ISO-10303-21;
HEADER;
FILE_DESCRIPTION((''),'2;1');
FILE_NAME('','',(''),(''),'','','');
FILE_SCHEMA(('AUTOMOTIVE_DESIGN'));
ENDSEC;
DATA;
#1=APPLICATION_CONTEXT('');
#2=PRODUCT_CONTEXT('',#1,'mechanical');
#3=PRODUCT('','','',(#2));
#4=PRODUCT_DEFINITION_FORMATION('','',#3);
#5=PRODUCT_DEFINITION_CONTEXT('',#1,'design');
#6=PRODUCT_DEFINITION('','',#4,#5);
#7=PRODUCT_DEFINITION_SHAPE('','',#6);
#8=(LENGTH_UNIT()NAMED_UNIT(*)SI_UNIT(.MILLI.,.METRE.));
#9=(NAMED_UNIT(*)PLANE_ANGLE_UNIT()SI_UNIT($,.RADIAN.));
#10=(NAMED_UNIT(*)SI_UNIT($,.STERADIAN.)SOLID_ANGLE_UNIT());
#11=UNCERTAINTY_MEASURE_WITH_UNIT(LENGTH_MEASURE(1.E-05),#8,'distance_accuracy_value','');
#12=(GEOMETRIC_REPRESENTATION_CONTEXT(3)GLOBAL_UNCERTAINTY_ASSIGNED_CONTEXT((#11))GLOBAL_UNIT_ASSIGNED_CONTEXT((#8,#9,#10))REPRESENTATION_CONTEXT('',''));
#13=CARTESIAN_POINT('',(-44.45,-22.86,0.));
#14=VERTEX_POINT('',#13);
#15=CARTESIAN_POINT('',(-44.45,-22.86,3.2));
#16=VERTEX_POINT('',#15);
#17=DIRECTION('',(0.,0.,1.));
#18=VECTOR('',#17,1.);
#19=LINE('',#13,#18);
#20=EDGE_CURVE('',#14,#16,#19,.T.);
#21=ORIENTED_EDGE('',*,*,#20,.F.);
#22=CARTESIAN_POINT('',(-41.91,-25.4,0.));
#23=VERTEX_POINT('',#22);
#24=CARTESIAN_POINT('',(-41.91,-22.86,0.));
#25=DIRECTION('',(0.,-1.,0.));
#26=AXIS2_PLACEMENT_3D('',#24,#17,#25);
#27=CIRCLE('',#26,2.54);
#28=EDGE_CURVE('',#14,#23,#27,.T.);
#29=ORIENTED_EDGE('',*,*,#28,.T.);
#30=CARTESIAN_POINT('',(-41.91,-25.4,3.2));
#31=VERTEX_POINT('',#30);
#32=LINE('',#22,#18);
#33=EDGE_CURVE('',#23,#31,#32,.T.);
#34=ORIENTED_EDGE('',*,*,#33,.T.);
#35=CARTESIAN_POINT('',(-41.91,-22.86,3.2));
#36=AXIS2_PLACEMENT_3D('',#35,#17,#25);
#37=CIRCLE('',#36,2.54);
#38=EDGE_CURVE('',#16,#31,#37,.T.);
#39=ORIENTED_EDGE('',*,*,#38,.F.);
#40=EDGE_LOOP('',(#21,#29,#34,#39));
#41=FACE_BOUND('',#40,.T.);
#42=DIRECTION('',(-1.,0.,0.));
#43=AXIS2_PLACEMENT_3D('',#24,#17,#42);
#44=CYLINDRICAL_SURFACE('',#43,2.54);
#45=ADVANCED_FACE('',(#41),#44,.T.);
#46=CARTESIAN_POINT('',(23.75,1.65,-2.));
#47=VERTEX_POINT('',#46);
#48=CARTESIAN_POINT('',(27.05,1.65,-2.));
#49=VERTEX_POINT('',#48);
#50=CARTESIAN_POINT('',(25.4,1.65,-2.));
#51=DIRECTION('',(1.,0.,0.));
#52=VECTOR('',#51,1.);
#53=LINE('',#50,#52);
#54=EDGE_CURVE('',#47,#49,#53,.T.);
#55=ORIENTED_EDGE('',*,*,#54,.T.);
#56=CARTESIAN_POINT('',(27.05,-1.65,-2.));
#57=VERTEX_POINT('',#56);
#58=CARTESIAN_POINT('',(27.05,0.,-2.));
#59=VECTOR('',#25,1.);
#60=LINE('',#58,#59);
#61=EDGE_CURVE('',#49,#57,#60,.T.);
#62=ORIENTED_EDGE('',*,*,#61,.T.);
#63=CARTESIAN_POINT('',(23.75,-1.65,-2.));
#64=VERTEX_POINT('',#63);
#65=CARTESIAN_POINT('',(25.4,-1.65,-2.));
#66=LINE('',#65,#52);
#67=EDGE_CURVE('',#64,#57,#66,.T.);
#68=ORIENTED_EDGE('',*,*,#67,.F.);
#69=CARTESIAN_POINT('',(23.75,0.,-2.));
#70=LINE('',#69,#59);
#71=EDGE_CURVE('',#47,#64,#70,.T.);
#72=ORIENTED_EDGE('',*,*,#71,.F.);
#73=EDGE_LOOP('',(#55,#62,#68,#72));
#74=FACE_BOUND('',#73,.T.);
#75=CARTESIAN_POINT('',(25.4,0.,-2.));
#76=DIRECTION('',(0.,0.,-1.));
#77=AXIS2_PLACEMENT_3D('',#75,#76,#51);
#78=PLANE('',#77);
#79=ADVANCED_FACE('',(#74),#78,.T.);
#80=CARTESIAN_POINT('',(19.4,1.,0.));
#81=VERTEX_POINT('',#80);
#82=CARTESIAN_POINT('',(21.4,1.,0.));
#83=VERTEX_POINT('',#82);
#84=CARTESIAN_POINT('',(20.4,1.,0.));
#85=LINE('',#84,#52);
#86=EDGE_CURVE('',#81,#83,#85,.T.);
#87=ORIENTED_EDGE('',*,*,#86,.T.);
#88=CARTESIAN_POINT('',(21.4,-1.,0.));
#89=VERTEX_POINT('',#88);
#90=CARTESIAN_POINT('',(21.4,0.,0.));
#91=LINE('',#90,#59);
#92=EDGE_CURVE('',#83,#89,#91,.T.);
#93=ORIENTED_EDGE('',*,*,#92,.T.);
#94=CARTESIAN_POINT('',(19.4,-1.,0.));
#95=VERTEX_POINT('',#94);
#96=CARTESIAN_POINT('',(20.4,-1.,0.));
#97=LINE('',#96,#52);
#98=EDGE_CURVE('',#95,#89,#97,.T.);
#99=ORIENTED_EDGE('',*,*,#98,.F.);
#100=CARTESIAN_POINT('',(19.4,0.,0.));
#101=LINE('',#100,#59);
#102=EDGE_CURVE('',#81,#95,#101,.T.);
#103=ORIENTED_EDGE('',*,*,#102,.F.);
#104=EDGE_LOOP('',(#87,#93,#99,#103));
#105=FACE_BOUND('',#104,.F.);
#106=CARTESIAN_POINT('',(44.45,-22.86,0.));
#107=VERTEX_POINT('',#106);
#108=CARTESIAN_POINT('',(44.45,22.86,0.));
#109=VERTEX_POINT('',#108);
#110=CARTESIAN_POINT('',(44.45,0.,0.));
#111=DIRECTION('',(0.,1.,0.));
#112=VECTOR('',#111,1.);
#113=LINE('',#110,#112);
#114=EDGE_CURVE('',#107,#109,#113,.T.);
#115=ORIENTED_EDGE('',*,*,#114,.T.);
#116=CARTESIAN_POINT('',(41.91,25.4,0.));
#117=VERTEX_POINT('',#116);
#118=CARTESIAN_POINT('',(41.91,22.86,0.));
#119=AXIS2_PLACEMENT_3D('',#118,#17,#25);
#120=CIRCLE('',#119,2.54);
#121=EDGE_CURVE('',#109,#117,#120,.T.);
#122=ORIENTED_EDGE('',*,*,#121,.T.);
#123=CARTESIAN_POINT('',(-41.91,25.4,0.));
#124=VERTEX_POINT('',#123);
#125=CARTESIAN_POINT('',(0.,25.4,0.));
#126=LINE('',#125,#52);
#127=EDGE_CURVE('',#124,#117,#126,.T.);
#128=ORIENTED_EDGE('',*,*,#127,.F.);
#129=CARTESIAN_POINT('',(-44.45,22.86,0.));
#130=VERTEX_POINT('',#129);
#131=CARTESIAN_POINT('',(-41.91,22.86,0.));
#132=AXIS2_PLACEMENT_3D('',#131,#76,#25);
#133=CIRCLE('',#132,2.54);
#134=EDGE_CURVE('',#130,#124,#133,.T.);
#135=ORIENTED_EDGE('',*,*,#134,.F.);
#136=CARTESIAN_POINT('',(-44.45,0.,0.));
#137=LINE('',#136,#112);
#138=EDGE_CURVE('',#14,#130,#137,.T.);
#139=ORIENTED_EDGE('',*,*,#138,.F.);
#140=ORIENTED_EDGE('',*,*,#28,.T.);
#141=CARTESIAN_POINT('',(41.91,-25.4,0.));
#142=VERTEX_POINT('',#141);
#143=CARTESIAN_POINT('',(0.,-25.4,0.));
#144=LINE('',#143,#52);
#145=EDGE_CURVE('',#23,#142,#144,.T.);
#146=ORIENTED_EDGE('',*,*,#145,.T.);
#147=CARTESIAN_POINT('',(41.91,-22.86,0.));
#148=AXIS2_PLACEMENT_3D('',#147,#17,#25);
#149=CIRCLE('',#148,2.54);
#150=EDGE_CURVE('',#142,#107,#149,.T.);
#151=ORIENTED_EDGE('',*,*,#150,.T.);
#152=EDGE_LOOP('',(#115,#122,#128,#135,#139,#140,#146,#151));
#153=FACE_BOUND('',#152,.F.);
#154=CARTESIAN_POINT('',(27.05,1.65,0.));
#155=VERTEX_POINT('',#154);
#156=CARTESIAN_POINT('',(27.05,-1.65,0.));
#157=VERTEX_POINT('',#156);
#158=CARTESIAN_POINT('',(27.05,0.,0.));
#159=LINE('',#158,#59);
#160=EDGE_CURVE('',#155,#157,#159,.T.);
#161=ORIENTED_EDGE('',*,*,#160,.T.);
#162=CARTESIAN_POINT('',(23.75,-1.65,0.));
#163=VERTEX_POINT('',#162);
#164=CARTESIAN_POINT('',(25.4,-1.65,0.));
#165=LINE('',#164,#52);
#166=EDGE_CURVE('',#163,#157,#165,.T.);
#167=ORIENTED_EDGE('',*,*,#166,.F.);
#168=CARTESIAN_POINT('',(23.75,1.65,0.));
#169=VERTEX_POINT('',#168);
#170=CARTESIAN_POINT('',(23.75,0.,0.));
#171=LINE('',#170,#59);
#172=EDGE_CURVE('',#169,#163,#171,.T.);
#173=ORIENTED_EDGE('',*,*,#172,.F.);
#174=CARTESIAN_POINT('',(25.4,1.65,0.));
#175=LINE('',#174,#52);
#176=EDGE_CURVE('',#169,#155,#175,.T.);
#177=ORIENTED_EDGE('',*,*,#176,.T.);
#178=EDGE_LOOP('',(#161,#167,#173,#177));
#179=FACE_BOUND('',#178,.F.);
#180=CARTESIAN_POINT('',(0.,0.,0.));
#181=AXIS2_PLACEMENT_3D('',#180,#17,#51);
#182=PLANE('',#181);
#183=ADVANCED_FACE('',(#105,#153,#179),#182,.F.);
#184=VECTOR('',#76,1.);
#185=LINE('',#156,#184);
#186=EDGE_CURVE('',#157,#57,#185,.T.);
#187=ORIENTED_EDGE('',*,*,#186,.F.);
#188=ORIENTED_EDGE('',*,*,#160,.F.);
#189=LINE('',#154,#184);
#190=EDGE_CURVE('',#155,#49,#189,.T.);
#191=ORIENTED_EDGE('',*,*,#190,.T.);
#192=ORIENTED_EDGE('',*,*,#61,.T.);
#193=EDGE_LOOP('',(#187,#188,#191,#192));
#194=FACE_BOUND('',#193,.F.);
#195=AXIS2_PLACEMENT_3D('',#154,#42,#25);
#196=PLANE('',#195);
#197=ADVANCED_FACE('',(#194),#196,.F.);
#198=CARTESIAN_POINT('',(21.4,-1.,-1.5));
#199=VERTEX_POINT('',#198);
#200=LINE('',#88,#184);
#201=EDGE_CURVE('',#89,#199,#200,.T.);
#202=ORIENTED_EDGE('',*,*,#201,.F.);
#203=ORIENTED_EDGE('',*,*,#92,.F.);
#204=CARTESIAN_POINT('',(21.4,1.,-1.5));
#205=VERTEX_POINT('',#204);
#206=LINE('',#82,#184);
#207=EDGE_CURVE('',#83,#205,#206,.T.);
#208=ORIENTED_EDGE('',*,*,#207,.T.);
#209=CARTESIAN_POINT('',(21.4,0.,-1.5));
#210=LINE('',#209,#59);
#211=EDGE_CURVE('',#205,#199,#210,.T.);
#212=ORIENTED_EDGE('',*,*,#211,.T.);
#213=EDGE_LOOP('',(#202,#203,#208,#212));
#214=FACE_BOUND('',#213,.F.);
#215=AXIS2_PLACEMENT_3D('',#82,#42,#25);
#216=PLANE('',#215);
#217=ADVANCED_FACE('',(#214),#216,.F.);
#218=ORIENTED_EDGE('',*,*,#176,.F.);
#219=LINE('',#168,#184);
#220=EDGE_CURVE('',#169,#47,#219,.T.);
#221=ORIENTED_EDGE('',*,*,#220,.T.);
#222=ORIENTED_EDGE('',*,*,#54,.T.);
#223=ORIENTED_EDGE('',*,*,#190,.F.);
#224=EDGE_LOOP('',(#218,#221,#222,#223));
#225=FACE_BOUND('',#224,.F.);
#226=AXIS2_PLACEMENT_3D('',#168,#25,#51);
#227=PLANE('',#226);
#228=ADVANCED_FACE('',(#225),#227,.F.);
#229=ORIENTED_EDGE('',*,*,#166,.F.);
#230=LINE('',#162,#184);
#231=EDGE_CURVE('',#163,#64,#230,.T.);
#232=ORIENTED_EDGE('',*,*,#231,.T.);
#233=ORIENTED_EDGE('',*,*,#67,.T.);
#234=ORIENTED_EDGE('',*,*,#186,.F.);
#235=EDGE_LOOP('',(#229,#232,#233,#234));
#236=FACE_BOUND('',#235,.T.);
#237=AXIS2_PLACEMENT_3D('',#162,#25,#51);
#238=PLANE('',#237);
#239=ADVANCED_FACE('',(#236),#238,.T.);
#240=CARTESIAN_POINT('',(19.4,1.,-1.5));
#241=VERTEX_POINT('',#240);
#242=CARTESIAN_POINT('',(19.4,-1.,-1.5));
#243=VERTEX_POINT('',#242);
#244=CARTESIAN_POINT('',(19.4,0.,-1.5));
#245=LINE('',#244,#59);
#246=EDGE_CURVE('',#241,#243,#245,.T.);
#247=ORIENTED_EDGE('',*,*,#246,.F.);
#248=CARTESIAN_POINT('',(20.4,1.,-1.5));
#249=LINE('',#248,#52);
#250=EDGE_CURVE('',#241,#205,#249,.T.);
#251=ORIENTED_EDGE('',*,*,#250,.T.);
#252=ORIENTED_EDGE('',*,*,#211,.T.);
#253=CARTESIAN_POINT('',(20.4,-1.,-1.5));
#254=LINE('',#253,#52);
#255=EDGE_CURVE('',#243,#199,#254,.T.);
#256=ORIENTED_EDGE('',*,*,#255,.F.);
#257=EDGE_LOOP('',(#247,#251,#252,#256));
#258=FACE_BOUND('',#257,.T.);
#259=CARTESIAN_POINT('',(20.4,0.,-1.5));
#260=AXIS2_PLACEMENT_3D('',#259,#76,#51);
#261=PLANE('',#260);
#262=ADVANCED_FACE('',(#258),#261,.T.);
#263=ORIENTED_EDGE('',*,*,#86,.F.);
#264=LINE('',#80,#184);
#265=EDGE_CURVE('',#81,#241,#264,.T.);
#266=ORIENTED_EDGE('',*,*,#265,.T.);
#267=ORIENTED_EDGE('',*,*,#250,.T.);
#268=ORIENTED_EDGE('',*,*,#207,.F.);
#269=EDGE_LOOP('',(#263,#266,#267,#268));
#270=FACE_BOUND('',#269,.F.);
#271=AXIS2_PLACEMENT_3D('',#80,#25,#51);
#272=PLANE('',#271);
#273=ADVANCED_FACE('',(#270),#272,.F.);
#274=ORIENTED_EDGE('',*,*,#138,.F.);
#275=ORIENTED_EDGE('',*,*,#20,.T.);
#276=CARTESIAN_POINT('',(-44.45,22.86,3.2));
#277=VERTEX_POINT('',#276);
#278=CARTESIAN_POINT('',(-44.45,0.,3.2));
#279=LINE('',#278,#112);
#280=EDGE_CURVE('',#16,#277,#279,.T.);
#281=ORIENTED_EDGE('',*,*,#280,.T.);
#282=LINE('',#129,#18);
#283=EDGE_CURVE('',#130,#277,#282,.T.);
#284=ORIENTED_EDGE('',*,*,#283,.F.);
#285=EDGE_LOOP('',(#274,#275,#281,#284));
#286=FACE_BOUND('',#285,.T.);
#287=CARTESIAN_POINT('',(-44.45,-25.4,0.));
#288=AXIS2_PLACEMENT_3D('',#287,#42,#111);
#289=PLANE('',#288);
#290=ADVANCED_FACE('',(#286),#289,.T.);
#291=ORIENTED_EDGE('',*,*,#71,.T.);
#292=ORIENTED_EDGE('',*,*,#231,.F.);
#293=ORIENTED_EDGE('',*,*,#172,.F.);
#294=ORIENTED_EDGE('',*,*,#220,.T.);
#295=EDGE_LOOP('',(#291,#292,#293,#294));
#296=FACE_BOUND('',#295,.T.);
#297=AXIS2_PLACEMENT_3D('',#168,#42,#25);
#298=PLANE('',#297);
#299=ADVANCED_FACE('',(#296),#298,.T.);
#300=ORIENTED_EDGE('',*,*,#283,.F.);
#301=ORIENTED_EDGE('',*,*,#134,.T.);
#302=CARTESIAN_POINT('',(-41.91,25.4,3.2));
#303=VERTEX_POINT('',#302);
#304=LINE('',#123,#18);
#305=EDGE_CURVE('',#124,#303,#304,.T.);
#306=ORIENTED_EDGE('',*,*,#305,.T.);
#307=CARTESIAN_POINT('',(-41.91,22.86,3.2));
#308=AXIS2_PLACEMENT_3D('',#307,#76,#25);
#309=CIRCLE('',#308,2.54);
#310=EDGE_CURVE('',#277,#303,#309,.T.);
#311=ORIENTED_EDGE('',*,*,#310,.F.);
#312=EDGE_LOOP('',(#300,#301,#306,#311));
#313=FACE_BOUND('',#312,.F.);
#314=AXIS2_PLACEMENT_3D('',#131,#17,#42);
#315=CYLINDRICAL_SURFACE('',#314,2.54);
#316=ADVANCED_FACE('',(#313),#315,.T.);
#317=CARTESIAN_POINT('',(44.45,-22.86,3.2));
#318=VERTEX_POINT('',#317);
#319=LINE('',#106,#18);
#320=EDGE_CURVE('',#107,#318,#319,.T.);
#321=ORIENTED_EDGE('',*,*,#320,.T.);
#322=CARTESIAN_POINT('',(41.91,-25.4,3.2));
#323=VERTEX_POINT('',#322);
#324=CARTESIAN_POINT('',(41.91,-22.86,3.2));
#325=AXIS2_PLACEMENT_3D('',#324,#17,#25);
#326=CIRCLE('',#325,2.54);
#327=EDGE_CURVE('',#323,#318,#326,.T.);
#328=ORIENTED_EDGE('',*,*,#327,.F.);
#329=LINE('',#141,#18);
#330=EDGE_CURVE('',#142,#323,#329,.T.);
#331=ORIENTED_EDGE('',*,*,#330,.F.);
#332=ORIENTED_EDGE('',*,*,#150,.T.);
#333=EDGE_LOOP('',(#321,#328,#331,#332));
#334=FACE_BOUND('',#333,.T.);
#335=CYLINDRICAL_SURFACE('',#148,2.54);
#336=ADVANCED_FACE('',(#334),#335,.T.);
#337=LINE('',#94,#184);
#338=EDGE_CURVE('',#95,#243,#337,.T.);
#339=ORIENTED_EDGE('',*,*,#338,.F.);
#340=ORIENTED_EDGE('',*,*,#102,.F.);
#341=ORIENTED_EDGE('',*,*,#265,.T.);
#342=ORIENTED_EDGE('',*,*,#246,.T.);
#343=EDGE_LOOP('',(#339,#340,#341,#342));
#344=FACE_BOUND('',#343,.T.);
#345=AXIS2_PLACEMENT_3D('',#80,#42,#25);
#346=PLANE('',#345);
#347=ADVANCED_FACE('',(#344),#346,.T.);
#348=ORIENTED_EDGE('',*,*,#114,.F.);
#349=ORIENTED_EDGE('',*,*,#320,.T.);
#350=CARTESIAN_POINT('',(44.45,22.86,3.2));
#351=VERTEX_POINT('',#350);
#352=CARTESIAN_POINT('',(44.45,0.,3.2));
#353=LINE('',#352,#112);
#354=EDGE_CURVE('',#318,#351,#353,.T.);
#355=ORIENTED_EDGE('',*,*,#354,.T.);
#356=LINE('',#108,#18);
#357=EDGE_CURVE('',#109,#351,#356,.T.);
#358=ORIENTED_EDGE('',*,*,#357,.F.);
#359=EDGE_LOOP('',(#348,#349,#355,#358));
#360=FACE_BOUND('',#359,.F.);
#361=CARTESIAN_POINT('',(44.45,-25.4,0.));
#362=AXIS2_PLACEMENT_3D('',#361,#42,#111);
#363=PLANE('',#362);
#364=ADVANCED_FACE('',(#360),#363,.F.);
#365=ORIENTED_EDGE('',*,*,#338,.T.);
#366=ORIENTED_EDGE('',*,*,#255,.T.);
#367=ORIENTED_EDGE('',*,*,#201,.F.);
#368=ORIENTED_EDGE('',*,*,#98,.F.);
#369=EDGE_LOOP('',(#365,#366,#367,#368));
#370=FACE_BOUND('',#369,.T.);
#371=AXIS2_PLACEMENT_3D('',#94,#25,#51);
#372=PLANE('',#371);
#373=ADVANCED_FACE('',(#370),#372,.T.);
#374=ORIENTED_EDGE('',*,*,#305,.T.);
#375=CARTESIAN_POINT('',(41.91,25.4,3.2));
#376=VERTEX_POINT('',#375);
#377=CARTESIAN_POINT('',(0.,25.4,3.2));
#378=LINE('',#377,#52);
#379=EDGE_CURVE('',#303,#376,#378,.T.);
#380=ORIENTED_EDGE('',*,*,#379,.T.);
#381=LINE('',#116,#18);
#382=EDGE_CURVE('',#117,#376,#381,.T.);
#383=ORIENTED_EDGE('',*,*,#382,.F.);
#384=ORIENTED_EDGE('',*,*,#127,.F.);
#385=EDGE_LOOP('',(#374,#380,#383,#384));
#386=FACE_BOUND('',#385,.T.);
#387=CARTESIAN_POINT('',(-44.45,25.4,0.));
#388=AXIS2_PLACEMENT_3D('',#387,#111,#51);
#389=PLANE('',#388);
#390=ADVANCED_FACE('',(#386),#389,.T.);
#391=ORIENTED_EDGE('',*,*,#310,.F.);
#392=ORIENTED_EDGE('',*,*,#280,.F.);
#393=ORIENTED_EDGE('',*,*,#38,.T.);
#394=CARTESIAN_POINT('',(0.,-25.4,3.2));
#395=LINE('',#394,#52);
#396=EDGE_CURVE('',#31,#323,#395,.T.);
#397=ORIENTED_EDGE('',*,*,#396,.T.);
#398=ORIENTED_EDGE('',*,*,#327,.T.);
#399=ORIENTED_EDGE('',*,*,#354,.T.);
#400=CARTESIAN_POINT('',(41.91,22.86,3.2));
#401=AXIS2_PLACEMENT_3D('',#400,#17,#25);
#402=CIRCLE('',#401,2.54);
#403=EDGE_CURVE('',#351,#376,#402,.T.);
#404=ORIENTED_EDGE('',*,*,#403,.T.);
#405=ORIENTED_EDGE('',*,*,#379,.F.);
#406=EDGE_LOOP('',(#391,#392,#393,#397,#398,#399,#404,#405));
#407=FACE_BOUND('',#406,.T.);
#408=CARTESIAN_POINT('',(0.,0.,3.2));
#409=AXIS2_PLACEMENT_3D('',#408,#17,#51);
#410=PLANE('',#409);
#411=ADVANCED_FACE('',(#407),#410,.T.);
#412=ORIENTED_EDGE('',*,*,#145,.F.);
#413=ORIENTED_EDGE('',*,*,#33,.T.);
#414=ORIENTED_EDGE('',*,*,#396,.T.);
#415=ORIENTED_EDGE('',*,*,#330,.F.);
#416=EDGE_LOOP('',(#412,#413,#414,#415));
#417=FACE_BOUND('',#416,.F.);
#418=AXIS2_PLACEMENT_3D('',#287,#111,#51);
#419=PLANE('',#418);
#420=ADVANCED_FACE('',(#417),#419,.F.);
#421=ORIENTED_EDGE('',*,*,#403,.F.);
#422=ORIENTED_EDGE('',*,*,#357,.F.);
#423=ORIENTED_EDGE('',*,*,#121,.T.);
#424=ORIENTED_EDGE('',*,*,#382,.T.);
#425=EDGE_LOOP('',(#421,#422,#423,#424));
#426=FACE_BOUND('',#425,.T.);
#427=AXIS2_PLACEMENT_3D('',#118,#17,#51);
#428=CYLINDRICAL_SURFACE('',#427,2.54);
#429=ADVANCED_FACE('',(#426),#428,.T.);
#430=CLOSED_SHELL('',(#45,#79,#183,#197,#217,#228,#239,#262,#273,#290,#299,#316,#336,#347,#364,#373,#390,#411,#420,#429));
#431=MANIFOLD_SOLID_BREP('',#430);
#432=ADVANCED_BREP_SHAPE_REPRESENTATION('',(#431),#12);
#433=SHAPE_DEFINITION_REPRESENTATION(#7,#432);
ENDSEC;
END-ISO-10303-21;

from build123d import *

# Parameters (mm, degrees)
F0_W     = 88.9
F0_H     = 50.8
F1_DEPTH = 3.2
F2_R     = 2.54
F4_W     = 3.3
F4_H     = 3.3
F5_DEPTH = 2
F7_W     = 2
F7_H     = 2
F8_DEPTH = 1.5


with BuildPart() as f1:
    # F0 (on Top) → F1 (new body)
    with BuildSketch(Plane.XY):
        Rectangle(F0_W, F0_H)
    extrude(amount=F1_DEPTH)

    # F2
    f2_edges = [f1.edges().sort_by_distance(p)[0] for p in [
        (44.45, -25.4, 1.6),
        (44.45, 25.4, 1.6),
        (-44.45, -25.4, 1.6),
        (-44.45, 25.4, 1.6),
    ]]
    fillet(f2_edges, radius=F2_R)

    # F4 (on face) → F5 (join)
    with BuildSketch(Plane(origin=(0, 0, 0), x_dir=(1, 0, 0), z_dir=(0, 0, -1))):
        with Locations((25.4, 0)):
            Rectangle(F4_W, F4_H)
    extrude(amount=F5_DEPTH)

    # F7 (on face) → F8 (join)
    with BuildSketch(Plane(origin=(0, 0, 0), x_dir=(1, 0, 0), z_dir=(0, 0, -1))):
        with Locations((20.4, 0)):
            Rectangle(F7_W, F7_H)
    extrude(amount=F8_DEPTH)


solid = f1.part
